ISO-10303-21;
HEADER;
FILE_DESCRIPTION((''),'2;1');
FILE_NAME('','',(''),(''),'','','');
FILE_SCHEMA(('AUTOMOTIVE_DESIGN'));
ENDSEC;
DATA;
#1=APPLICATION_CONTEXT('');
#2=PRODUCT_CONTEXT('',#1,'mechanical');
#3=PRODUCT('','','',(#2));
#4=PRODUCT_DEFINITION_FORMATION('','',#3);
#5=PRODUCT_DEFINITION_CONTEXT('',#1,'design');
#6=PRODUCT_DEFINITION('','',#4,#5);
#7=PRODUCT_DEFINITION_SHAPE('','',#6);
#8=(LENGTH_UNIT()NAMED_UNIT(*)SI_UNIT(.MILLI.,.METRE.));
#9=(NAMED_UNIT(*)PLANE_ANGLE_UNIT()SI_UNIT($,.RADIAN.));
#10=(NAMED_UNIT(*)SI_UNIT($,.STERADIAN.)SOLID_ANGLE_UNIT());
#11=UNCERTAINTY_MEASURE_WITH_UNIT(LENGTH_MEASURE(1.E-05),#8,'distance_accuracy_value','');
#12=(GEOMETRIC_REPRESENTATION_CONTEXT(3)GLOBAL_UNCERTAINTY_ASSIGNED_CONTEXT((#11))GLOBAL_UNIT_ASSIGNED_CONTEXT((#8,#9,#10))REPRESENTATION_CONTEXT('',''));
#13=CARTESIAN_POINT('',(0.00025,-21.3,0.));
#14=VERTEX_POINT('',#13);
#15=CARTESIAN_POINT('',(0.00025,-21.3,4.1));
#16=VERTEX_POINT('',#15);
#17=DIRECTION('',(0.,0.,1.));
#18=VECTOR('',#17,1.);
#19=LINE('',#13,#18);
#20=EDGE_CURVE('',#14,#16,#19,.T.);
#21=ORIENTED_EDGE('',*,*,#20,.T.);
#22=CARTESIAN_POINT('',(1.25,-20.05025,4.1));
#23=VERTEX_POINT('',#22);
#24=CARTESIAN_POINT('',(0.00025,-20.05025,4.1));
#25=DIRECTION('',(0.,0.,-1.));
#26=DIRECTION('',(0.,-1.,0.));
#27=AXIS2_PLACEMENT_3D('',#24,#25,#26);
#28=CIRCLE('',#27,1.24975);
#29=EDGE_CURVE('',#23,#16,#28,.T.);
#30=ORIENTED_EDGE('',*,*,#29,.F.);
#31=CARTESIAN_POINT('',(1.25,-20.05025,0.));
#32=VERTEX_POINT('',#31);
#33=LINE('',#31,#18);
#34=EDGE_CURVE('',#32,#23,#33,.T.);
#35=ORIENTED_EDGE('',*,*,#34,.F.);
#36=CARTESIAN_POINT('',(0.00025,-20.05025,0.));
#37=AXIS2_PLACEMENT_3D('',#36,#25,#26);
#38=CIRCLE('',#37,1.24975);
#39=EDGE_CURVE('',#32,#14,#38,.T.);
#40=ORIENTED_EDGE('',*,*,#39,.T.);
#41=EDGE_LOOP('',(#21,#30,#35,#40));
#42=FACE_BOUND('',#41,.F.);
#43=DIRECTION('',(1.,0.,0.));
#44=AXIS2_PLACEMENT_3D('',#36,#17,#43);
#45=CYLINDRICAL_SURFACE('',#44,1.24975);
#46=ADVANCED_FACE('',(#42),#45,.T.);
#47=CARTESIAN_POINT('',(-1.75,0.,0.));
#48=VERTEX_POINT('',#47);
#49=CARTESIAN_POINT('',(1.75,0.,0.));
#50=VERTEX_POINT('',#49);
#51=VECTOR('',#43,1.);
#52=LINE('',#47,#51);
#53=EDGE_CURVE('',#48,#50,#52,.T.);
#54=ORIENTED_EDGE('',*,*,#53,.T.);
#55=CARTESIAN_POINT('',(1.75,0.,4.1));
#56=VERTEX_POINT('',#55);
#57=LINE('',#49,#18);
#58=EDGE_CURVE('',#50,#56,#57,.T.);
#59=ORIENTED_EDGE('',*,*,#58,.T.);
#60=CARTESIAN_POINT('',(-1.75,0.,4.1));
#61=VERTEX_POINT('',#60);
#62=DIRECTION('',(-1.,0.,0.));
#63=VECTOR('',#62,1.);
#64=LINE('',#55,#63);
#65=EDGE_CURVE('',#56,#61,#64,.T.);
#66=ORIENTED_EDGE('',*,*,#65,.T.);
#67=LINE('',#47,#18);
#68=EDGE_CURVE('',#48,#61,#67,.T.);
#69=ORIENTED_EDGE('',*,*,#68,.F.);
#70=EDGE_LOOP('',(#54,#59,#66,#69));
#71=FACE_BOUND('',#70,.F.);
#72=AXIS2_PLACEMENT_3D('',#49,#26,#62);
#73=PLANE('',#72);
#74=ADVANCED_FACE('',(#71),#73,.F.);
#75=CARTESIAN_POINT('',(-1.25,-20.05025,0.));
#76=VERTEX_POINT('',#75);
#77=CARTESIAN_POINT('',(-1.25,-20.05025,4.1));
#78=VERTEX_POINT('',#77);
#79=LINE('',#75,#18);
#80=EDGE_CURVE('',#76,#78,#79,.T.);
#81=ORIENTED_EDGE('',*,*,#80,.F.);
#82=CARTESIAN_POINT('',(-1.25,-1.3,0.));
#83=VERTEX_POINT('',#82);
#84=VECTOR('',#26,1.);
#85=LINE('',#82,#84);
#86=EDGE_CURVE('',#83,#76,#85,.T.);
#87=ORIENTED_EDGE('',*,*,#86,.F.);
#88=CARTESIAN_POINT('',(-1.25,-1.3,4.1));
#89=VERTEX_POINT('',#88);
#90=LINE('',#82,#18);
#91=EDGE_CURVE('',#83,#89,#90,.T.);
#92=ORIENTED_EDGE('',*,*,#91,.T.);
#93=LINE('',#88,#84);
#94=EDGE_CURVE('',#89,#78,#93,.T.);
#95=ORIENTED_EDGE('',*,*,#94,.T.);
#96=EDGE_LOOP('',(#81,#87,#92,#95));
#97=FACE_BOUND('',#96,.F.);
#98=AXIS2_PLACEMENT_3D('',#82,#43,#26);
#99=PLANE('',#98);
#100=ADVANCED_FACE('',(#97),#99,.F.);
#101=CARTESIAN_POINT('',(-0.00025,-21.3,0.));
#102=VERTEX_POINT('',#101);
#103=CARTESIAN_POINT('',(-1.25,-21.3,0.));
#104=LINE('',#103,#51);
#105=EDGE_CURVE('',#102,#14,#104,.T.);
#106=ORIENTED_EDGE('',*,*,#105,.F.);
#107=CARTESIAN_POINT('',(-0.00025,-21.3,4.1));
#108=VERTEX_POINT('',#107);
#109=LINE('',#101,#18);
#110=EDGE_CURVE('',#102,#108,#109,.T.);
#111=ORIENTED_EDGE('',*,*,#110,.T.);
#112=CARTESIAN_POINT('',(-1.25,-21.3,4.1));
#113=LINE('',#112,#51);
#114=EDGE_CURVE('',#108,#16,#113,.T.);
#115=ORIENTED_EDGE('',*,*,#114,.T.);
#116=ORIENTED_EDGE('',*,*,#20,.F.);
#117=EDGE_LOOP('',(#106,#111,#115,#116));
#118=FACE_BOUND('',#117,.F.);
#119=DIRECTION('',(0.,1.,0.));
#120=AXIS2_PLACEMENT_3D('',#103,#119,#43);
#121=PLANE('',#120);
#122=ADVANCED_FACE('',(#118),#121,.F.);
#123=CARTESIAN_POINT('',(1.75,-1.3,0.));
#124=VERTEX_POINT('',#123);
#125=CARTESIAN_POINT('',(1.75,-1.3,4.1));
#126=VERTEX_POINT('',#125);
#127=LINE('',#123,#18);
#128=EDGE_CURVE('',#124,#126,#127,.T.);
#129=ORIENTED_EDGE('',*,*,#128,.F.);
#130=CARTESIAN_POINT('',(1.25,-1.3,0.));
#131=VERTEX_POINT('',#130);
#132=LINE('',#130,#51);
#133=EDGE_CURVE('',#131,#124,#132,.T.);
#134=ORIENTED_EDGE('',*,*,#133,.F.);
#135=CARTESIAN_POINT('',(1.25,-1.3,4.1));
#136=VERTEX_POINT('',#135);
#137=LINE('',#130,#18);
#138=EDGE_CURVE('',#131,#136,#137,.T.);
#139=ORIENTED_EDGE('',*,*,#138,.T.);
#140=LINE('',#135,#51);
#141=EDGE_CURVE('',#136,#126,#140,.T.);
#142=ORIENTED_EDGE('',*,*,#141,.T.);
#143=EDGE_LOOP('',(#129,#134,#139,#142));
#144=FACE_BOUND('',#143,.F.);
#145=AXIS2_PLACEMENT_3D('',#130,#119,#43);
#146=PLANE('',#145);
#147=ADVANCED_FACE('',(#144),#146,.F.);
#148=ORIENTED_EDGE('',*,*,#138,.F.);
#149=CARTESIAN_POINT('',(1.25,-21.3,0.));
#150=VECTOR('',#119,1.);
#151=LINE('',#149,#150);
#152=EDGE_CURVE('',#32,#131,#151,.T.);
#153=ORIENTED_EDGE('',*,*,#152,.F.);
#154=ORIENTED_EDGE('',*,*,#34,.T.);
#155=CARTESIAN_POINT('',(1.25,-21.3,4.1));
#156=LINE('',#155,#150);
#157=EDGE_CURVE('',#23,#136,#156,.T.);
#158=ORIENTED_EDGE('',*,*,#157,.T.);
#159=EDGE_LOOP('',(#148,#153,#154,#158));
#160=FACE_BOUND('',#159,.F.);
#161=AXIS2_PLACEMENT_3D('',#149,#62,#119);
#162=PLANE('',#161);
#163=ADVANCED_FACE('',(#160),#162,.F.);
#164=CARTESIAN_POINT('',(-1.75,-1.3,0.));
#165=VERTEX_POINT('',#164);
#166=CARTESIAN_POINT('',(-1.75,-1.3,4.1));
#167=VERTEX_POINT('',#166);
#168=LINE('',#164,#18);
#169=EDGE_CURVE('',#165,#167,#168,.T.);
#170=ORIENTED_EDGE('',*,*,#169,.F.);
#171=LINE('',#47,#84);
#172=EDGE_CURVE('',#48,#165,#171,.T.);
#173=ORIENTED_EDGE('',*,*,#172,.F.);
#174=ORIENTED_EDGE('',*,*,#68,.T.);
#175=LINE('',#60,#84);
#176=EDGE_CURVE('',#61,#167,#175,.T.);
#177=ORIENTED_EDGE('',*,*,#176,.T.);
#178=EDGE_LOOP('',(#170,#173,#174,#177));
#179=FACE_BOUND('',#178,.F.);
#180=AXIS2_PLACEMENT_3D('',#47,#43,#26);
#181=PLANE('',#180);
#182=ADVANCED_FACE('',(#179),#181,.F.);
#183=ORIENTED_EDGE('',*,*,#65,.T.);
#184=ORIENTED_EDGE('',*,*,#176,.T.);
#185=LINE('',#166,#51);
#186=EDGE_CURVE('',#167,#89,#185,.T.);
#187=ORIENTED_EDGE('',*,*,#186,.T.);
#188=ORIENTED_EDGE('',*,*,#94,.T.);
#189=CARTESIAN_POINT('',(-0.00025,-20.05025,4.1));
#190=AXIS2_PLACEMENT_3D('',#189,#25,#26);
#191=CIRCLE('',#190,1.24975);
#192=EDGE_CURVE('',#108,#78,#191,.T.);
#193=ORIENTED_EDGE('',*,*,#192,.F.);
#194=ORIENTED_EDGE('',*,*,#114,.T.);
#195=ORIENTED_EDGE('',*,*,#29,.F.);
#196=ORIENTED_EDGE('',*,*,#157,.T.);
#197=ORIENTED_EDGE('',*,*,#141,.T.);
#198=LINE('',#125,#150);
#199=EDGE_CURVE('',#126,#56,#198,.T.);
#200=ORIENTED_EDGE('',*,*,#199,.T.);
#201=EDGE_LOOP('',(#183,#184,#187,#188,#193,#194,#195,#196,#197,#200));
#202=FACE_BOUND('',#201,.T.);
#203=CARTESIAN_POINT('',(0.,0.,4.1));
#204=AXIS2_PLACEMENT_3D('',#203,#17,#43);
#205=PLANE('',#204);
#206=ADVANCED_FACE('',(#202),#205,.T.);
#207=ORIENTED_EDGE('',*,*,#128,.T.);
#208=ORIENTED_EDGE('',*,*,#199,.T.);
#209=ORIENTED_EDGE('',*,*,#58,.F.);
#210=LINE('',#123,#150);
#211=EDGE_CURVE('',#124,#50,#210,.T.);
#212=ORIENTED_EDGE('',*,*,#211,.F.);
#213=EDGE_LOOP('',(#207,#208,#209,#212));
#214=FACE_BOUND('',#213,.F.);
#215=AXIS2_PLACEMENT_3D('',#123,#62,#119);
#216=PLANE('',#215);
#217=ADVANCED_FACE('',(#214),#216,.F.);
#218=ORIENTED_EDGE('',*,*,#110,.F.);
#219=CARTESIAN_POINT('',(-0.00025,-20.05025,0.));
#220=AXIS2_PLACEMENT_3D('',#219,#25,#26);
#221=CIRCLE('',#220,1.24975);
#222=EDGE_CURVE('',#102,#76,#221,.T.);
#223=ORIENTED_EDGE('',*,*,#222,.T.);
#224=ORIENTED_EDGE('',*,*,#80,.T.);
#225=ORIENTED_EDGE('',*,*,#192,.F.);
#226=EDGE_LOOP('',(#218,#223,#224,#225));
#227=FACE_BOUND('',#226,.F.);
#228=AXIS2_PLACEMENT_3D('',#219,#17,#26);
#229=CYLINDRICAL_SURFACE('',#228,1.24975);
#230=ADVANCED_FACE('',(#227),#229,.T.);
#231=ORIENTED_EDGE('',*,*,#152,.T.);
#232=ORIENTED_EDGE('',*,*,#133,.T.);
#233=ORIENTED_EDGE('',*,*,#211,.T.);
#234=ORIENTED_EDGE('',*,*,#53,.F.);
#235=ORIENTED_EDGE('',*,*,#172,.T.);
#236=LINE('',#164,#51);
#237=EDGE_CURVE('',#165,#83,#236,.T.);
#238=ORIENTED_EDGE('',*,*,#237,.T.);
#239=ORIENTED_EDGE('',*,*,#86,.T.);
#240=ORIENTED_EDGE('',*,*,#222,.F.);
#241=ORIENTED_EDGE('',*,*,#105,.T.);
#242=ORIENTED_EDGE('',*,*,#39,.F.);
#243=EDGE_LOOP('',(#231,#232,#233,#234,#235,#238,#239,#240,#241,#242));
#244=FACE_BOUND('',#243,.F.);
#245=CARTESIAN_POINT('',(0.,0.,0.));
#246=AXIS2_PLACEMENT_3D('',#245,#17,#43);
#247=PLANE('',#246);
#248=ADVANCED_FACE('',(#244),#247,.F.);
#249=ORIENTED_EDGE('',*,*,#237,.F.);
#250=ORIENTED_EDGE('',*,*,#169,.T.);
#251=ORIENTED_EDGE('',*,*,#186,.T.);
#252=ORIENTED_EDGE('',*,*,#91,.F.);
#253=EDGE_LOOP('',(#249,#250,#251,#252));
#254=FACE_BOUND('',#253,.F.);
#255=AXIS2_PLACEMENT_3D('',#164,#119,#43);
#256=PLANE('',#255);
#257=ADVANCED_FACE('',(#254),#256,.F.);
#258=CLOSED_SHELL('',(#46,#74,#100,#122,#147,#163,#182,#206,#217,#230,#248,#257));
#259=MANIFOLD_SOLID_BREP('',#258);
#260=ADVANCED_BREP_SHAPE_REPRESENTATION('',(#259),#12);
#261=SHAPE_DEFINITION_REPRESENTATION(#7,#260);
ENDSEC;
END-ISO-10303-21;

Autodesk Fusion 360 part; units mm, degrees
sketch "Sketch1" plane through (0, 0, 0) normal (0, 0, 1) x (1, 0, 0)
  line L0 (0, 0) -> (-1.75, 0)
  line L1 (-1.75, 0) -> (-1.75, -1.3)
  line L2 (-1.75, -1.3) -> (-1.25, -1.3)
  line L3 (-1.25, -1.3) -> (-1.25, -21.3)
  line L4 (-1.25, -21.3) -> (1.25, -21.3)
  line L5 (1.25, -21.3) -> (1.25, -1.3)
  line L6 (1.25, -1.3) -> (1.75, -1.3)
  line L7 (1.75, -1.3) -> (1.75, 0)
  line L8 (1.75, 0) -> (0, 0)
  line L9 (1.25, -1.3) -> (-1.25, -1.3) construction
  dimension "d1" = 3.5
  dimension "d2" = 1.3
  dimension "d3" = 20
  dimension "d4" = 2.5
extrude "Extrude1" add sketch "Sketch1" along normal blind 4.1
fillet "Fillet1" radius 1.25 2 edges at (1.25, -21.3, 2.05) (-1.25, -21.3, 2.05)
